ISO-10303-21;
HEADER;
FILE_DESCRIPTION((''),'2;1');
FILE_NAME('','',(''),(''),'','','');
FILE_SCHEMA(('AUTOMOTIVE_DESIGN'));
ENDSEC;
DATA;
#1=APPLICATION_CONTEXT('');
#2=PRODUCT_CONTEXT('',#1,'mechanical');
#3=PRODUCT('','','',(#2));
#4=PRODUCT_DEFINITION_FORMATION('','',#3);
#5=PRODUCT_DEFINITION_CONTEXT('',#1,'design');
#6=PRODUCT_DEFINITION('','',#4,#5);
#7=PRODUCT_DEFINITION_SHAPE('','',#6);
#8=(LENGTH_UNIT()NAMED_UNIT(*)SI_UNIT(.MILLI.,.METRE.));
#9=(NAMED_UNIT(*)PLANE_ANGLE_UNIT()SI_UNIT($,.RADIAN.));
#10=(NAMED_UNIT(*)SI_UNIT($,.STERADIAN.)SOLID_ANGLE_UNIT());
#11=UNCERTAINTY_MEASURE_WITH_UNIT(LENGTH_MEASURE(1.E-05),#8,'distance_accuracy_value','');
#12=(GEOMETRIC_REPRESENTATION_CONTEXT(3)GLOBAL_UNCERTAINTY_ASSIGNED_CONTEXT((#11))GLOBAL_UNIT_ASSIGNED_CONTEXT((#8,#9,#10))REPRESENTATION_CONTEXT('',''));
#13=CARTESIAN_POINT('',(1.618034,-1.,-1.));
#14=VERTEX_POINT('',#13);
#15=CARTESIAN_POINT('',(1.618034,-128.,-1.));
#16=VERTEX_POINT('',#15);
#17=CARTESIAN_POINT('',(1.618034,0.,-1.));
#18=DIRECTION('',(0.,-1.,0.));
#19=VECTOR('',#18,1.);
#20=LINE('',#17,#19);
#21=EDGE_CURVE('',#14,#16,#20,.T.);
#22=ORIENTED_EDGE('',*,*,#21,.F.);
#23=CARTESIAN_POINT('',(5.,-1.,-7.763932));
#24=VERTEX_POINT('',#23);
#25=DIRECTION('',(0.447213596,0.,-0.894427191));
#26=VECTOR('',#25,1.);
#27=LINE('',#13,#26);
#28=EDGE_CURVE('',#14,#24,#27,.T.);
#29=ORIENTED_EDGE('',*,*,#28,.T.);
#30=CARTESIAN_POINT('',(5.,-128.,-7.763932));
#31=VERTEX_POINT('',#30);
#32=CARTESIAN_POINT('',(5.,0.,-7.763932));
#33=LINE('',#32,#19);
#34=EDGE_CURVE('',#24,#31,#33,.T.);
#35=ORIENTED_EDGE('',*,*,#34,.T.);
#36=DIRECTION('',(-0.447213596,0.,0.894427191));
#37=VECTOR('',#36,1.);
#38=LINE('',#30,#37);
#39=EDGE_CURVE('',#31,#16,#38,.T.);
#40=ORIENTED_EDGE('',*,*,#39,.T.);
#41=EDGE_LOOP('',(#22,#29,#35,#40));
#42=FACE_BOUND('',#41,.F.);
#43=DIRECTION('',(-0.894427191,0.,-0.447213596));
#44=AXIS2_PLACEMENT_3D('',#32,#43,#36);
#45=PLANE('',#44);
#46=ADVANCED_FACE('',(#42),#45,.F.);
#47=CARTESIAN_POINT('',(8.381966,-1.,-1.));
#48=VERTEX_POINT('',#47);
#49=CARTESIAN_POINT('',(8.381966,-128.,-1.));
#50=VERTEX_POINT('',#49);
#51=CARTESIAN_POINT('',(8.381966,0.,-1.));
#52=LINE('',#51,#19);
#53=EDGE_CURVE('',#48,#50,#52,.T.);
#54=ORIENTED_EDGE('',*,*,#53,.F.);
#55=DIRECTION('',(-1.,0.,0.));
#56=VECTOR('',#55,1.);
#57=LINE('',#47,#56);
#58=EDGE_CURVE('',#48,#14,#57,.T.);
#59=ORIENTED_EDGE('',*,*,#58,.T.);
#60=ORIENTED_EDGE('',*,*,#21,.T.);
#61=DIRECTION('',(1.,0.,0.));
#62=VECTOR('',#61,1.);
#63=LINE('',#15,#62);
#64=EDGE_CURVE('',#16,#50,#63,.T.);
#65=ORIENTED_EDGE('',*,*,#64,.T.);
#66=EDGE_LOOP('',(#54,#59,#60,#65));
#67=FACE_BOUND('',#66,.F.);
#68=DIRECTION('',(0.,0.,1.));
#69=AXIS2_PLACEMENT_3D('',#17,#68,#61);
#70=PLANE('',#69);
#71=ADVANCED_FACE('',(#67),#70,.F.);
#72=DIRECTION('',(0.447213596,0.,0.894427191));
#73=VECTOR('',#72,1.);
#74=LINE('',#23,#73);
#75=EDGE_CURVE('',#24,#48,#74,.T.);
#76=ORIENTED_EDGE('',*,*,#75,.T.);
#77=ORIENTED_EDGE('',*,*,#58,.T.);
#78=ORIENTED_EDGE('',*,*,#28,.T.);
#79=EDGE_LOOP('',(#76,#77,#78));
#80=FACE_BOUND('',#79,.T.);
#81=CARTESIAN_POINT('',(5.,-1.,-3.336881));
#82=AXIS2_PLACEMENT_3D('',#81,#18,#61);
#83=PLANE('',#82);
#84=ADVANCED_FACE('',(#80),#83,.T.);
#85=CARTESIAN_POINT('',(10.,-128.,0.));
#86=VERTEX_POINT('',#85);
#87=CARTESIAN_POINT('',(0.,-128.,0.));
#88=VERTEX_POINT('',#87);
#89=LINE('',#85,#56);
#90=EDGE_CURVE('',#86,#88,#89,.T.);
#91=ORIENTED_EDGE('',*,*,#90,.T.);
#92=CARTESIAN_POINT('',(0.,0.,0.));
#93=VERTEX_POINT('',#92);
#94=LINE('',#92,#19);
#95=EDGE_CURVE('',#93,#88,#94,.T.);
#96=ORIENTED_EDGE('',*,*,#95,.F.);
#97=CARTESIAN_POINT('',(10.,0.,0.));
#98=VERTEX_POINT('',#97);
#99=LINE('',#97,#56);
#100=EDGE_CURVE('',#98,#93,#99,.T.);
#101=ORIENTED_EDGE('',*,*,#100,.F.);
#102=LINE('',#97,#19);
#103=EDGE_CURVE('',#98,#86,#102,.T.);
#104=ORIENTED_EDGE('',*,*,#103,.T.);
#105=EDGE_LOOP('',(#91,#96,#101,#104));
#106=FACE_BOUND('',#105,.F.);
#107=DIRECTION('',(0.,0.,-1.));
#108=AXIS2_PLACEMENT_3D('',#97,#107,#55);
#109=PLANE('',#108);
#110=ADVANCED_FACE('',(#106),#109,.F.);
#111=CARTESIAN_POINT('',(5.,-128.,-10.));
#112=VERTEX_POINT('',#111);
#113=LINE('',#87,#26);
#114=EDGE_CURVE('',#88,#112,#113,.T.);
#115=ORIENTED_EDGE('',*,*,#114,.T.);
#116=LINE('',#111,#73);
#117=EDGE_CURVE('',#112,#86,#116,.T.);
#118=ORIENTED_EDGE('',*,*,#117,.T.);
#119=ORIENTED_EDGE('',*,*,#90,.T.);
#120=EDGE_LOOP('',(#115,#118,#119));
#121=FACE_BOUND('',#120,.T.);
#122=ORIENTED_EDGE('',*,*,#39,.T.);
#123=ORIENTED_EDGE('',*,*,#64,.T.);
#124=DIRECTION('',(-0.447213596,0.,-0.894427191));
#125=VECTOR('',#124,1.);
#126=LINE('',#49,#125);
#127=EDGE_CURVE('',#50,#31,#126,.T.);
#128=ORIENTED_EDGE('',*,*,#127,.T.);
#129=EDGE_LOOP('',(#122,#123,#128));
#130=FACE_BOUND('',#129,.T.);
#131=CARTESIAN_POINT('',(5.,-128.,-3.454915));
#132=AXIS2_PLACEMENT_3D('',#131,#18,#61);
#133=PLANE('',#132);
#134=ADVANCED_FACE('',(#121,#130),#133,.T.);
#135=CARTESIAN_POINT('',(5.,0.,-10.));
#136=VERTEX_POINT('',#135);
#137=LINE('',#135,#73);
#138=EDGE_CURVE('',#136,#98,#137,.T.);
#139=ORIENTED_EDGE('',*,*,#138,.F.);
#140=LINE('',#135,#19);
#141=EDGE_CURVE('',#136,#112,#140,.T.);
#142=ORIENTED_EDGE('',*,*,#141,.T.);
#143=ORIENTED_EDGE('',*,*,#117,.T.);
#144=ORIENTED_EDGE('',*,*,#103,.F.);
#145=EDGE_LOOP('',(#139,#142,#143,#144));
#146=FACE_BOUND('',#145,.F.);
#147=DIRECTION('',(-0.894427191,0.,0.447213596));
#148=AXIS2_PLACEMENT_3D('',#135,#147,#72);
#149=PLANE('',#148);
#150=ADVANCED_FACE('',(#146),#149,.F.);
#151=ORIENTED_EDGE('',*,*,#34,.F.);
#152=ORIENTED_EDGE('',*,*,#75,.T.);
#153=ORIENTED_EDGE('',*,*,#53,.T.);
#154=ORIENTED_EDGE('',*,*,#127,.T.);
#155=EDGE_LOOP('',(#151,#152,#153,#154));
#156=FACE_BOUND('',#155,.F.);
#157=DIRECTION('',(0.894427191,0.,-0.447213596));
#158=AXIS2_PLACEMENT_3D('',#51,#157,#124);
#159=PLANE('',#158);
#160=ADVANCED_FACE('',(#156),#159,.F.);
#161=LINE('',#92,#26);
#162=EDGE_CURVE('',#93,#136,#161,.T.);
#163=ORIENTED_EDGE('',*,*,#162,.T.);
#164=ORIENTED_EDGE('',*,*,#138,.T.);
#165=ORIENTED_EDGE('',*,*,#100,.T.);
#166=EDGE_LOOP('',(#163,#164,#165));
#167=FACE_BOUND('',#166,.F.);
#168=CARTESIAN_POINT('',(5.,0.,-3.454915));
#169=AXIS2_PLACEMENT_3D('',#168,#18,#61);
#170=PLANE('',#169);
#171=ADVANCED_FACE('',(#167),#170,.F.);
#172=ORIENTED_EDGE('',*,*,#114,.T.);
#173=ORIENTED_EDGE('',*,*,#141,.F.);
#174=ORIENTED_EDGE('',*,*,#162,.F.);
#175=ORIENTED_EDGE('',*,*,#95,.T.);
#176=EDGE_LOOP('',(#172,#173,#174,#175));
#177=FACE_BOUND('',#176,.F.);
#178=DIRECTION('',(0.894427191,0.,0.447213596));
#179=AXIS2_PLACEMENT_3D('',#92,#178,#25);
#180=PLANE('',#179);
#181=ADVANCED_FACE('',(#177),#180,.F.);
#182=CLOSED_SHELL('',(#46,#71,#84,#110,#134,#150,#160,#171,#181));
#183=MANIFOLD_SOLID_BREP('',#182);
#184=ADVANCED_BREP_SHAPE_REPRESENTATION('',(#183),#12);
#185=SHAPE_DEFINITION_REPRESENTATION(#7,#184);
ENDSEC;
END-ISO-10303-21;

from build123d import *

# Parameters (mm, degrees)
F1_DEPTH = 1
F2_DEPTH = 128


with BuildPart() as f1:
    # F0 (on Front) → F1 (new body)
    with BuildSketch(Plane.XZ):
        Polygon((5, -1), (1.618034, -1), (5, -7.763932), (8.381966, -1), align=None)
    extrude(amount=F1_DEPTH)

    # F0 (on Front) → F2 (join)
    with BuildSketch(Plane.XZ):
        Polygon((5, 0), (0, 0), (5, -10), (10, 0), align=None)
        Polygon((5, -7.763932), (1.618034, -1), (5, -1), (8.381966, -1), align=None, mode=Mode.SUBTRACT)
    extrude(amount=F2_DEPTH)


solid = f1.part
